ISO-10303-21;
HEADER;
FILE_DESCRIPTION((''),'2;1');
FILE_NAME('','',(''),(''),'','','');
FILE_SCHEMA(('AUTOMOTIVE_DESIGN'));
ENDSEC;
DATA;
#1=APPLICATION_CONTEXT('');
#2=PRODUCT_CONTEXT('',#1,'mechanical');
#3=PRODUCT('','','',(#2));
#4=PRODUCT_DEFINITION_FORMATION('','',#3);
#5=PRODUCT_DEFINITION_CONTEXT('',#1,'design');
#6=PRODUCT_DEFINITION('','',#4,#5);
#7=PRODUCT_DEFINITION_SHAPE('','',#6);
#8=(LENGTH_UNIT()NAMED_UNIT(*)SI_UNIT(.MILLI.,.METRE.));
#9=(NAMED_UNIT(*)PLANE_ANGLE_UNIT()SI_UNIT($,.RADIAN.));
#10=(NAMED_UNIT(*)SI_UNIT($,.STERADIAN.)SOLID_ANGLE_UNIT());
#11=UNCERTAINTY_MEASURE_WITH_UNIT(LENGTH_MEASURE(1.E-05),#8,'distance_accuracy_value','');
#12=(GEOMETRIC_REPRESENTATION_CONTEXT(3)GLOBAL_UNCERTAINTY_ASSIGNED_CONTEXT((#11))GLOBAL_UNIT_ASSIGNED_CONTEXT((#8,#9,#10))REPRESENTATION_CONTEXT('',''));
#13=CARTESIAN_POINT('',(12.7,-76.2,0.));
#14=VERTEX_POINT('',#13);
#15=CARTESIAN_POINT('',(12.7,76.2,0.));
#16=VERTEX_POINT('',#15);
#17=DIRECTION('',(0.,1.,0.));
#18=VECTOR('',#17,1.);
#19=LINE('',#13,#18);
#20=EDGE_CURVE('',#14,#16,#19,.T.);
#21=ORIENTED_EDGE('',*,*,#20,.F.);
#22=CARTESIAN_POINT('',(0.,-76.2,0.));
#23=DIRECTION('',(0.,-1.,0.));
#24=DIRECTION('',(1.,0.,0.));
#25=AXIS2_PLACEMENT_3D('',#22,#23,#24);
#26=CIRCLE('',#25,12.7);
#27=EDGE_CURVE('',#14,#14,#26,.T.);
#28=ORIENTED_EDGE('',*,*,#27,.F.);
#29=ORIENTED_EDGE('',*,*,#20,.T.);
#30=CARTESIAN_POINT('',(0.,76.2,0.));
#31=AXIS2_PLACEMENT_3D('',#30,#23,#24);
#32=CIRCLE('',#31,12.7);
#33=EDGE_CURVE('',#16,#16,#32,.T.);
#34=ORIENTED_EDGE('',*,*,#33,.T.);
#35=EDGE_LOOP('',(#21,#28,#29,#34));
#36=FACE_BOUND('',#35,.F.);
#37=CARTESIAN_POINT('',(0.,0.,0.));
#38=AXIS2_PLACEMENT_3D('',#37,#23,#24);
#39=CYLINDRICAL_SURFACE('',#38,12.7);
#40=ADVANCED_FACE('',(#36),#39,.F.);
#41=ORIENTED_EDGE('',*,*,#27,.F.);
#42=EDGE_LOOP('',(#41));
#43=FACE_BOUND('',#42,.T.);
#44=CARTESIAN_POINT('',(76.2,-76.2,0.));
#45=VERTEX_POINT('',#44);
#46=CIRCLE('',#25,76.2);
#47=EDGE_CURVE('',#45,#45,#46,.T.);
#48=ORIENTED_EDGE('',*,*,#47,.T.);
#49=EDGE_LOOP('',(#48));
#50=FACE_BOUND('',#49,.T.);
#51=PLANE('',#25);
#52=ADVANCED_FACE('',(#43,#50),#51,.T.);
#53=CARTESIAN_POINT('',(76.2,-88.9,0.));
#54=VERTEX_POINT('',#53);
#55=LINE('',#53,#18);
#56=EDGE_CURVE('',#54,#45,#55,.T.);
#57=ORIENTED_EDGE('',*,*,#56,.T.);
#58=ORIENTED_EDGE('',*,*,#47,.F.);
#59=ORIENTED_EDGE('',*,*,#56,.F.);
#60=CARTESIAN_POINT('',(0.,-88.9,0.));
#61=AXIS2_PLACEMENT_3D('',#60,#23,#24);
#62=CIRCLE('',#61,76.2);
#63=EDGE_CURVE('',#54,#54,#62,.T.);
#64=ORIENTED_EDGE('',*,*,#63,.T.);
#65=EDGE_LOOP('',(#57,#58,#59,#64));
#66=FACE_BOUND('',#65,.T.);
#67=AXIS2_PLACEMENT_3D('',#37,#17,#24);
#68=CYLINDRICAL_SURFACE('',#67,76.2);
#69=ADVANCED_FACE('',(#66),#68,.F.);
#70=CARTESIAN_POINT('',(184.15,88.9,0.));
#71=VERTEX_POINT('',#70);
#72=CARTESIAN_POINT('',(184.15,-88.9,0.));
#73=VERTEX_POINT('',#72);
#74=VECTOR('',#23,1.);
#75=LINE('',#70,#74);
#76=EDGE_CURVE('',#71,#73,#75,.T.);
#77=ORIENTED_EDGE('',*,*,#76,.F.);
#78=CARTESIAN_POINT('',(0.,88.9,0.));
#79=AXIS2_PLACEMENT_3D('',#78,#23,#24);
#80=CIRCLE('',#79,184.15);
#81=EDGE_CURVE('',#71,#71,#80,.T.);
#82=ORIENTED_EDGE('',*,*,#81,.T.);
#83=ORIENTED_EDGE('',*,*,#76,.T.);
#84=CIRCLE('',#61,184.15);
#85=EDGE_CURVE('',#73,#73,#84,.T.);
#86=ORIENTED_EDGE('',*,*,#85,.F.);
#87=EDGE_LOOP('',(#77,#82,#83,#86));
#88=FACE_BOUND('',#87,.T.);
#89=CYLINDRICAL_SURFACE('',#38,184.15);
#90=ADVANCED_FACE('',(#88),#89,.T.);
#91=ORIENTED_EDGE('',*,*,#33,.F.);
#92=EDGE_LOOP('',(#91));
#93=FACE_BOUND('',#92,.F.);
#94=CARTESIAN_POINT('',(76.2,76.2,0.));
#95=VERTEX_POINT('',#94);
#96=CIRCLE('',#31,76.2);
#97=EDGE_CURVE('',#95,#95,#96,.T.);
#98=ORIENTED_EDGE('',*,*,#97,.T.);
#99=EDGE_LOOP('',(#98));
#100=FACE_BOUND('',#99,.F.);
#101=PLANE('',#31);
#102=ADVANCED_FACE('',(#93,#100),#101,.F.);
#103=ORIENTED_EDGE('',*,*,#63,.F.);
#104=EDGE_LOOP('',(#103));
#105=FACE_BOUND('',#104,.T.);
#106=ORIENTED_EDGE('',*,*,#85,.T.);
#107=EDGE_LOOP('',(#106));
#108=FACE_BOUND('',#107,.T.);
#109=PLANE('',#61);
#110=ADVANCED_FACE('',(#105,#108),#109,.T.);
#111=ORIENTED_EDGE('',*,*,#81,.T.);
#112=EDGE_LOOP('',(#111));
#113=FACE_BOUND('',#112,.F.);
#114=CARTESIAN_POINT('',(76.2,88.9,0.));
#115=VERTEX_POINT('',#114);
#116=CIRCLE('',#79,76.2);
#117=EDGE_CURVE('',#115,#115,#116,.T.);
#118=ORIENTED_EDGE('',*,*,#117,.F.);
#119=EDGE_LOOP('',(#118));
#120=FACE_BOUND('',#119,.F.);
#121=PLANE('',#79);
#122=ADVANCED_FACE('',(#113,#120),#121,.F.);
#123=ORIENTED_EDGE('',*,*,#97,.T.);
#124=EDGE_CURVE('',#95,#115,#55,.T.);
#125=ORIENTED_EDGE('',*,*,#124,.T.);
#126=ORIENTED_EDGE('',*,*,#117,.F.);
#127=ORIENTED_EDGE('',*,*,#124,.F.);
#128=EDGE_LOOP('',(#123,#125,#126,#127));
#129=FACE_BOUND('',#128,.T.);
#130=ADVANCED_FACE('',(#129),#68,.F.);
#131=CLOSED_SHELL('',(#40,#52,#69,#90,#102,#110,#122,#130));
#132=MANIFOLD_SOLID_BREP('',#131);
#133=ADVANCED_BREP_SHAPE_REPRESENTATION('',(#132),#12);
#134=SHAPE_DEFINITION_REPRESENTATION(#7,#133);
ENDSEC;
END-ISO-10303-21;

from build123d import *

# Parameters (mm, degrees)
F0_R     = 184.15
F0_R_2   = 76.2
F1_DEPTH = 88.9
F2_R     = 76.2
F3_DEPTH = 76.2
F4_R     = 12.7
F5_DEPTH = 76.2
F6_R     = 12.7
F7_DEPTH = 76.2


with BuildPart() as f1:
    # F0 (on Front) → F1 (new body, symmetric)
    with BuildSketch(Plane.XZ):
        Circle(F0_R)
        Circle(F0_R_2, mode=Mode.SUBTRACT)
    extrude(amount=F1_DEPTH, both=True)

    # F2 (on Front) → F3 (join, symmetric)
    with BuildSketch(Plane.XZ):
        Circle(F2_R)
    extrude(amount=F3_DEPTH, both=True)

    # F4 (on face) → F5 (cut, symmetric)
    with BuildSketch(Plane.XZ.offset(76.2)):
        Circle(F4_R)
    extrude(amount=F5_DEPTH, both=True, mode=Mode.SUBTRACT)

    # F6 (on face) → F7 (cut, symmetric)
    with BuildSketch(Plane.XZ):
        Circle(F6_R)
    extrude(amount=F7_DEPTH, both=True, mode=Mode.SUBTRACT)


solid = f1.part
